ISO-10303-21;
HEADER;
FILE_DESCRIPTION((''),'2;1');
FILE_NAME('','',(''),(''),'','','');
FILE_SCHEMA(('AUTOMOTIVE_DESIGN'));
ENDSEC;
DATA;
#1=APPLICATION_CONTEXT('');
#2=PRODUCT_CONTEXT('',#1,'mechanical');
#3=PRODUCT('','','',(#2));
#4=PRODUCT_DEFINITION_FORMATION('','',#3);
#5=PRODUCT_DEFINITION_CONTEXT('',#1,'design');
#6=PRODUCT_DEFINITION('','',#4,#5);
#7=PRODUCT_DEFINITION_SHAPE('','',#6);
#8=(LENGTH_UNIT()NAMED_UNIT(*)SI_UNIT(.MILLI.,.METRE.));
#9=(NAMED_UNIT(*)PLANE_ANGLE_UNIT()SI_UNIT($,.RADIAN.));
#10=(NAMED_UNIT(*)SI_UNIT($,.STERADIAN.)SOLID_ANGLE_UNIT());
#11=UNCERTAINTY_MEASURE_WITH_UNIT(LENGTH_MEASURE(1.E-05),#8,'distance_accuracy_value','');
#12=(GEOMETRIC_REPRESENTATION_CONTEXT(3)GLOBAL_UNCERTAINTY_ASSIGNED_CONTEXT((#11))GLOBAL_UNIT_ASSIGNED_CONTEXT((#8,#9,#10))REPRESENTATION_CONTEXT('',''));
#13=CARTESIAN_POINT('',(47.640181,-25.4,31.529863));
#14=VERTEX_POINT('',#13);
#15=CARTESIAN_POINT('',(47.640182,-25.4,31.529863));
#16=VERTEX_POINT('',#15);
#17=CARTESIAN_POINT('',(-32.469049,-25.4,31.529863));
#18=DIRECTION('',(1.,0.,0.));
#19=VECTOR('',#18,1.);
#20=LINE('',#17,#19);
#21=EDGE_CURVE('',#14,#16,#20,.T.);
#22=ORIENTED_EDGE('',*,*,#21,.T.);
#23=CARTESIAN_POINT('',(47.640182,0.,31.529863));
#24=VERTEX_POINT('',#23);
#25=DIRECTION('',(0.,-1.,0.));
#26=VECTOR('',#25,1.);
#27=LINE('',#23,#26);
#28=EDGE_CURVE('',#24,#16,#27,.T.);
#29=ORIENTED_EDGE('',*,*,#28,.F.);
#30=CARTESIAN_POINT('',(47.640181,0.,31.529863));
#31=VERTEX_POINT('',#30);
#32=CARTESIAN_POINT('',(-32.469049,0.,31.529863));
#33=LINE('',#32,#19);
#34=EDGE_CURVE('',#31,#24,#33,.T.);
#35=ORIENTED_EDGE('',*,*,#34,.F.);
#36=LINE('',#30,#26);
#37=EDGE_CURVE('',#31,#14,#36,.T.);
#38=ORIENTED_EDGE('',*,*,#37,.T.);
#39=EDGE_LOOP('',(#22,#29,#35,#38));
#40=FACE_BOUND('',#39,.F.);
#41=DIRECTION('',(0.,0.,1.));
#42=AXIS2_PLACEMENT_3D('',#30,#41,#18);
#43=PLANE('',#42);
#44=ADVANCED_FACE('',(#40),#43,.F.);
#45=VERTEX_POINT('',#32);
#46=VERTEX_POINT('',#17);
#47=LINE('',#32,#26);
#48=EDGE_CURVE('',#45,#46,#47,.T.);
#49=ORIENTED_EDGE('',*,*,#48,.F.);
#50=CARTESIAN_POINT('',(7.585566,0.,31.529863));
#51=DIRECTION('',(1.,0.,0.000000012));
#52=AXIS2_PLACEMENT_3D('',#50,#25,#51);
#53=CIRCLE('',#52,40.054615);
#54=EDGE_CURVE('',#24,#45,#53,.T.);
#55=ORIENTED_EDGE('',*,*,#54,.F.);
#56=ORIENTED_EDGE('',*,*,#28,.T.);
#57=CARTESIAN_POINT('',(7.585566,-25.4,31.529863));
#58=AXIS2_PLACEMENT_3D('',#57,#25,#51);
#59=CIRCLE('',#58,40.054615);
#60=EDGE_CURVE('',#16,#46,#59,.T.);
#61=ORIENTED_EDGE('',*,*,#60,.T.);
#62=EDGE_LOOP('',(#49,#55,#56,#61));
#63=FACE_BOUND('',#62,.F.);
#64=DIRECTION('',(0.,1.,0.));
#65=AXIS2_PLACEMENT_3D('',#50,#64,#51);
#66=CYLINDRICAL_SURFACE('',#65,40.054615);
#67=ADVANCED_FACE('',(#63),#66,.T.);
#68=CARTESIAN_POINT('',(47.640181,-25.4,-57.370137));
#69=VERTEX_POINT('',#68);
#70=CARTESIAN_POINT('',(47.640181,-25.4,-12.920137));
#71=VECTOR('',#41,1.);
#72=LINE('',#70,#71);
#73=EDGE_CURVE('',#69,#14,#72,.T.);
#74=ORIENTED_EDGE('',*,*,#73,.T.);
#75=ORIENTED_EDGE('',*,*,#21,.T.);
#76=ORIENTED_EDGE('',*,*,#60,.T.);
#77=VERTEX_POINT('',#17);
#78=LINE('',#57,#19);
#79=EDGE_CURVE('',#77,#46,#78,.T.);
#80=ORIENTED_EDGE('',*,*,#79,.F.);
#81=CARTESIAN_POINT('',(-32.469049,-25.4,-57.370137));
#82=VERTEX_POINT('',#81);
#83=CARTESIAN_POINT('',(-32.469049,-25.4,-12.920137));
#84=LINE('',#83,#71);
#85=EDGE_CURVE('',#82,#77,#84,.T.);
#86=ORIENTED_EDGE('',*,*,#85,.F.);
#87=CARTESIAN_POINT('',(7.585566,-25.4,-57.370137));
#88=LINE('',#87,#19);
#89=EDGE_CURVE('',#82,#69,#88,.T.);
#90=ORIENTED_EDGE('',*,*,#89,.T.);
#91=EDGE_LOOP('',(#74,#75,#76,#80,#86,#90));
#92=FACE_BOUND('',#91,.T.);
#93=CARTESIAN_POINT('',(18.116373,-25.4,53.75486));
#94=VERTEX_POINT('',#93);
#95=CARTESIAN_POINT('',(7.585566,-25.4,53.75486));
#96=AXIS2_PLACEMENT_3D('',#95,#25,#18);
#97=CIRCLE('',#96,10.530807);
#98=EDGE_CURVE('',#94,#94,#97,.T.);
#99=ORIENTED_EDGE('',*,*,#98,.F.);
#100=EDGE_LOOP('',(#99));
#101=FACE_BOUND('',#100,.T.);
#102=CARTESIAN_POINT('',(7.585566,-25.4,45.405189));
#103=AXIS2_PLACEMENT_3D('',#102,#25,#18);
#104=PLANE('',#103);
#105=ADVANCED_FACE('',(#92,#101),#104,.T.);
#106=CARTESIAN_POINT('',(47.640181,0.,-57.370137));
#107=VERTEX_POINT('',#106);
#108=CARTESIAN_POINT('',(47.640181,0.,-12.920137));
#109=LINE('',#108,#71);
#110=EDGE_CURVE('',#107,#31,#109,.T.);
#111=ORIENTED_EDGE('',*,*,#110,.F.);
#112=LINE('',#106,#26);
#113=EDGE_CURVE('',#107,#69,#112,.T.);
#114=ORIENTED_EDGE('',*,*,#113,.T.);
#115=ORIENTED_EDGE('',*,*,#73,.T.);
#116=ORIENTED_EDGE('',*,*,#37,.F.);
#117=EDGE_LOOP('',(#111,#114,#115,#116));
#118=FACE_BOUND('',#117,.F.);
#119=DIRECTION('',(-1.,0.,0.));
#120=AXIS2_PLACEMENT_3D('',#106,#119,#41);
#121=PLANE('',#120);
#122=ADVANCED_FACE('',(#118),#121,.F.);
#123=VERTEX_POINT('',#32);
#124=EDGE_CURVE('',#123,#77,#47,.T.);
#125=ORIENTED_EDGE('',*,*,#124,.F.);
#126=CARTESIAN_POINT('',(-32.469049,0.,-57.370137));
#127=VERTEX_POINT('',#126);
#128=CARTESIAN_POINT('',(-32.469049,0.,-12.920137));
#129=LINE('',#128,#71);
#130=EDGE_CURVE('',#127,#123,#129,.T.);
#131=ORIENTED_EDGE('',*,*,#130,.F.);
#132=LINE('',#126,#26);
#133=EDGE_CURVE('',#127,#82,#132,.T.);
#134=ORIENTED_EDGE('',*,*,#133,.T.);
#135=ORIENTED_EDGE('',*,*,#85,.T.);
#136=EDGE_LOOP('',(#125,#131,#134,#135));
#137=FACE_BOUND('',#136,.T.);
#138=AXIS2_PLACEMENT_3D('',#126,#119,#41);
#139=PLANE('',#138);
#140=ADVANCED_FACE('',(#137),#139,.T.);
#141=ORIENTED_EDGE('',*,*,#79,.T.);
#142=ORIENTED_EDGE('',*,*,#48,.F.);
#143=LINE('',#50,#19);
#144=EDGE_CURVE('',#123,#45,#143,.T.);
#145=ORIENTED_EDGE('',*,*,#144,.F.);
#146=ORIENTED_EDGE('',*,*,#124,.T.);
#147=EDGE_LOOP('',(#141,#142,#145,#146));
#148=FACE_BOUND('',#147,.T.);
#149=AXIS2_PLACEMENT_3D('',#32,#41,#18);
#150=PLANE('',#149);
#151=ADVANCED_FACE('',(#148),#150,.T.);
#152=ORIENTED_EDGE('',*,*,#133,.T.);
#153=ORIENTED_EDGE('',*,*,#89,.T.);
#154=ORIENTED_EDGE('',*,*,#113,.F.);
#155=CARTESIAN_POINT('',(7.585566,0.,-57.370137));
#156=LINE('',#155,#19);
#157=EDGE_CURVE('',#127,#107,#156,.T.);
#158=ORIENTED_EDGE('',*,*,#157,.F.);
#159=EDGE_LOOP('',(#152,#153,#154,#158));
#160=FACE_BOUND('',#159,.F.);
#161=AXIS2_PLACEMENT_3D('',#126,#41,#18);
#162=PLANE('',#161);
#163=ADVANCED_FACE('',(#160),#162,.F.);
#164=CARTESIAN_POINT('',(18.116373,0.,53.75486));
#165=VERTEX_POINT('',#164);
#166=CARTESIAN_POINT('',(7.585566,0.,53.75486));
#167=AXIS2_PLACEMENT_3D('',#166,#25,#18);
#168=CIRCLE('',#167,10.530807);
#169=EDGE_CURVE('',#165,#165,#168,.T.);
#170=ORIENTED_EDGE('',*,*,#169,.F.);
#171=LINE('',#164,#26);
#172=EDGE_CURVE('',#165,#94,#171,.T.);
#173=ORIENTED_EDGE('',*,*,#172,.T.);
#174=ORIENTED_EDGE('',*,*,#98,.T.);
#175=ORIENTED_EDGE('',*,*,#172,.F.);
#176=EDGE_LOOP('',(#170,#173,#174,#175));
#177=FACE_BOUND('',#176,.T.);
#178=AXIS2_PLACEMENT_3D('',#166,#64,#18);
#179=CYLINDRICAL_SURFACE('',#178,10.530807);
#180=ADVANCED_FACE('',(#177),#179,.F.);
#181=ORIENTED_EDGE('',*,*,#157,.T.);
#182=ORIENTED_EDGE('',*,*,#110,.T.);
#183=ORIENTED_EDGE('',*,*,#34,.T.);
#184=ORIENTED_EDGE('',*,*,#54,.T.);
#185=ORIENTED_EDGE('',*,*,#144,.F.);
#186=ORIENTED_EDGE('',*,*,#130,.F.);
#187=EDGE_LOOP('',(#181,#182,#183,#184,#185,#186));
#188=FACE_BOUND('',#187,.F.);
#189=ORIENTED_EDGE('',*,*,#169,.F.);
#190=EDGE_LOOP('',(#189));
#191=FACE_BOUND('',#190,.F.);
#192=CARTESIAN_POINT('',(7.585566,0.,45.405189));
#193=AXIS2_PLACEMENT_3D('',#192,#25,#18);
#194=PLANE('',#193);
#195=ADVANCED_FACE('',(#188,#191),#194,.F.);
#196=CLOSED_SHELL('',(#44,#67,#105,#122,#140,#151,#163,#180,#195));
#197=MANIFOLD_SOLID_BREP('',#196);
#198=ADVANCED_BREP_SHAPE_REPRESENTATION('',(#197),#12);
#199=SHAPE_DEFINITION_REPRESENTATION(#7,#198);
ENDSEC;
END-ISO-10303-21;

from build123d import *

# Parameters (mm, degrees)
F0_R     = 10.530807
F0_W     = 80.109231
F0_H     = 88.9
F1_DEPTH = 25.4


with BuildPart() as f1:
    # F0 (on Front) → F1 (new body)
    with BuildSketch(Plane.XZ):
        with BuildLine():
            ThreePointArc((47.640182, 31.529863), (7.585566, 71.584478), (-32.469049, 31.529863))
            Line((-32.469049, 31.529863), (47.640182, 31.529863))
        make_face()
        with Locations((7.585566, 53.75486)):
            Circle(F0_R, mode=Mode.SUBTRACT)
        with Locations((7.585566, -12.920137)):
            Rectangle(F0_W, F0_H)
    extrude(amount=F1_DEPTH)


solid = f1.part
